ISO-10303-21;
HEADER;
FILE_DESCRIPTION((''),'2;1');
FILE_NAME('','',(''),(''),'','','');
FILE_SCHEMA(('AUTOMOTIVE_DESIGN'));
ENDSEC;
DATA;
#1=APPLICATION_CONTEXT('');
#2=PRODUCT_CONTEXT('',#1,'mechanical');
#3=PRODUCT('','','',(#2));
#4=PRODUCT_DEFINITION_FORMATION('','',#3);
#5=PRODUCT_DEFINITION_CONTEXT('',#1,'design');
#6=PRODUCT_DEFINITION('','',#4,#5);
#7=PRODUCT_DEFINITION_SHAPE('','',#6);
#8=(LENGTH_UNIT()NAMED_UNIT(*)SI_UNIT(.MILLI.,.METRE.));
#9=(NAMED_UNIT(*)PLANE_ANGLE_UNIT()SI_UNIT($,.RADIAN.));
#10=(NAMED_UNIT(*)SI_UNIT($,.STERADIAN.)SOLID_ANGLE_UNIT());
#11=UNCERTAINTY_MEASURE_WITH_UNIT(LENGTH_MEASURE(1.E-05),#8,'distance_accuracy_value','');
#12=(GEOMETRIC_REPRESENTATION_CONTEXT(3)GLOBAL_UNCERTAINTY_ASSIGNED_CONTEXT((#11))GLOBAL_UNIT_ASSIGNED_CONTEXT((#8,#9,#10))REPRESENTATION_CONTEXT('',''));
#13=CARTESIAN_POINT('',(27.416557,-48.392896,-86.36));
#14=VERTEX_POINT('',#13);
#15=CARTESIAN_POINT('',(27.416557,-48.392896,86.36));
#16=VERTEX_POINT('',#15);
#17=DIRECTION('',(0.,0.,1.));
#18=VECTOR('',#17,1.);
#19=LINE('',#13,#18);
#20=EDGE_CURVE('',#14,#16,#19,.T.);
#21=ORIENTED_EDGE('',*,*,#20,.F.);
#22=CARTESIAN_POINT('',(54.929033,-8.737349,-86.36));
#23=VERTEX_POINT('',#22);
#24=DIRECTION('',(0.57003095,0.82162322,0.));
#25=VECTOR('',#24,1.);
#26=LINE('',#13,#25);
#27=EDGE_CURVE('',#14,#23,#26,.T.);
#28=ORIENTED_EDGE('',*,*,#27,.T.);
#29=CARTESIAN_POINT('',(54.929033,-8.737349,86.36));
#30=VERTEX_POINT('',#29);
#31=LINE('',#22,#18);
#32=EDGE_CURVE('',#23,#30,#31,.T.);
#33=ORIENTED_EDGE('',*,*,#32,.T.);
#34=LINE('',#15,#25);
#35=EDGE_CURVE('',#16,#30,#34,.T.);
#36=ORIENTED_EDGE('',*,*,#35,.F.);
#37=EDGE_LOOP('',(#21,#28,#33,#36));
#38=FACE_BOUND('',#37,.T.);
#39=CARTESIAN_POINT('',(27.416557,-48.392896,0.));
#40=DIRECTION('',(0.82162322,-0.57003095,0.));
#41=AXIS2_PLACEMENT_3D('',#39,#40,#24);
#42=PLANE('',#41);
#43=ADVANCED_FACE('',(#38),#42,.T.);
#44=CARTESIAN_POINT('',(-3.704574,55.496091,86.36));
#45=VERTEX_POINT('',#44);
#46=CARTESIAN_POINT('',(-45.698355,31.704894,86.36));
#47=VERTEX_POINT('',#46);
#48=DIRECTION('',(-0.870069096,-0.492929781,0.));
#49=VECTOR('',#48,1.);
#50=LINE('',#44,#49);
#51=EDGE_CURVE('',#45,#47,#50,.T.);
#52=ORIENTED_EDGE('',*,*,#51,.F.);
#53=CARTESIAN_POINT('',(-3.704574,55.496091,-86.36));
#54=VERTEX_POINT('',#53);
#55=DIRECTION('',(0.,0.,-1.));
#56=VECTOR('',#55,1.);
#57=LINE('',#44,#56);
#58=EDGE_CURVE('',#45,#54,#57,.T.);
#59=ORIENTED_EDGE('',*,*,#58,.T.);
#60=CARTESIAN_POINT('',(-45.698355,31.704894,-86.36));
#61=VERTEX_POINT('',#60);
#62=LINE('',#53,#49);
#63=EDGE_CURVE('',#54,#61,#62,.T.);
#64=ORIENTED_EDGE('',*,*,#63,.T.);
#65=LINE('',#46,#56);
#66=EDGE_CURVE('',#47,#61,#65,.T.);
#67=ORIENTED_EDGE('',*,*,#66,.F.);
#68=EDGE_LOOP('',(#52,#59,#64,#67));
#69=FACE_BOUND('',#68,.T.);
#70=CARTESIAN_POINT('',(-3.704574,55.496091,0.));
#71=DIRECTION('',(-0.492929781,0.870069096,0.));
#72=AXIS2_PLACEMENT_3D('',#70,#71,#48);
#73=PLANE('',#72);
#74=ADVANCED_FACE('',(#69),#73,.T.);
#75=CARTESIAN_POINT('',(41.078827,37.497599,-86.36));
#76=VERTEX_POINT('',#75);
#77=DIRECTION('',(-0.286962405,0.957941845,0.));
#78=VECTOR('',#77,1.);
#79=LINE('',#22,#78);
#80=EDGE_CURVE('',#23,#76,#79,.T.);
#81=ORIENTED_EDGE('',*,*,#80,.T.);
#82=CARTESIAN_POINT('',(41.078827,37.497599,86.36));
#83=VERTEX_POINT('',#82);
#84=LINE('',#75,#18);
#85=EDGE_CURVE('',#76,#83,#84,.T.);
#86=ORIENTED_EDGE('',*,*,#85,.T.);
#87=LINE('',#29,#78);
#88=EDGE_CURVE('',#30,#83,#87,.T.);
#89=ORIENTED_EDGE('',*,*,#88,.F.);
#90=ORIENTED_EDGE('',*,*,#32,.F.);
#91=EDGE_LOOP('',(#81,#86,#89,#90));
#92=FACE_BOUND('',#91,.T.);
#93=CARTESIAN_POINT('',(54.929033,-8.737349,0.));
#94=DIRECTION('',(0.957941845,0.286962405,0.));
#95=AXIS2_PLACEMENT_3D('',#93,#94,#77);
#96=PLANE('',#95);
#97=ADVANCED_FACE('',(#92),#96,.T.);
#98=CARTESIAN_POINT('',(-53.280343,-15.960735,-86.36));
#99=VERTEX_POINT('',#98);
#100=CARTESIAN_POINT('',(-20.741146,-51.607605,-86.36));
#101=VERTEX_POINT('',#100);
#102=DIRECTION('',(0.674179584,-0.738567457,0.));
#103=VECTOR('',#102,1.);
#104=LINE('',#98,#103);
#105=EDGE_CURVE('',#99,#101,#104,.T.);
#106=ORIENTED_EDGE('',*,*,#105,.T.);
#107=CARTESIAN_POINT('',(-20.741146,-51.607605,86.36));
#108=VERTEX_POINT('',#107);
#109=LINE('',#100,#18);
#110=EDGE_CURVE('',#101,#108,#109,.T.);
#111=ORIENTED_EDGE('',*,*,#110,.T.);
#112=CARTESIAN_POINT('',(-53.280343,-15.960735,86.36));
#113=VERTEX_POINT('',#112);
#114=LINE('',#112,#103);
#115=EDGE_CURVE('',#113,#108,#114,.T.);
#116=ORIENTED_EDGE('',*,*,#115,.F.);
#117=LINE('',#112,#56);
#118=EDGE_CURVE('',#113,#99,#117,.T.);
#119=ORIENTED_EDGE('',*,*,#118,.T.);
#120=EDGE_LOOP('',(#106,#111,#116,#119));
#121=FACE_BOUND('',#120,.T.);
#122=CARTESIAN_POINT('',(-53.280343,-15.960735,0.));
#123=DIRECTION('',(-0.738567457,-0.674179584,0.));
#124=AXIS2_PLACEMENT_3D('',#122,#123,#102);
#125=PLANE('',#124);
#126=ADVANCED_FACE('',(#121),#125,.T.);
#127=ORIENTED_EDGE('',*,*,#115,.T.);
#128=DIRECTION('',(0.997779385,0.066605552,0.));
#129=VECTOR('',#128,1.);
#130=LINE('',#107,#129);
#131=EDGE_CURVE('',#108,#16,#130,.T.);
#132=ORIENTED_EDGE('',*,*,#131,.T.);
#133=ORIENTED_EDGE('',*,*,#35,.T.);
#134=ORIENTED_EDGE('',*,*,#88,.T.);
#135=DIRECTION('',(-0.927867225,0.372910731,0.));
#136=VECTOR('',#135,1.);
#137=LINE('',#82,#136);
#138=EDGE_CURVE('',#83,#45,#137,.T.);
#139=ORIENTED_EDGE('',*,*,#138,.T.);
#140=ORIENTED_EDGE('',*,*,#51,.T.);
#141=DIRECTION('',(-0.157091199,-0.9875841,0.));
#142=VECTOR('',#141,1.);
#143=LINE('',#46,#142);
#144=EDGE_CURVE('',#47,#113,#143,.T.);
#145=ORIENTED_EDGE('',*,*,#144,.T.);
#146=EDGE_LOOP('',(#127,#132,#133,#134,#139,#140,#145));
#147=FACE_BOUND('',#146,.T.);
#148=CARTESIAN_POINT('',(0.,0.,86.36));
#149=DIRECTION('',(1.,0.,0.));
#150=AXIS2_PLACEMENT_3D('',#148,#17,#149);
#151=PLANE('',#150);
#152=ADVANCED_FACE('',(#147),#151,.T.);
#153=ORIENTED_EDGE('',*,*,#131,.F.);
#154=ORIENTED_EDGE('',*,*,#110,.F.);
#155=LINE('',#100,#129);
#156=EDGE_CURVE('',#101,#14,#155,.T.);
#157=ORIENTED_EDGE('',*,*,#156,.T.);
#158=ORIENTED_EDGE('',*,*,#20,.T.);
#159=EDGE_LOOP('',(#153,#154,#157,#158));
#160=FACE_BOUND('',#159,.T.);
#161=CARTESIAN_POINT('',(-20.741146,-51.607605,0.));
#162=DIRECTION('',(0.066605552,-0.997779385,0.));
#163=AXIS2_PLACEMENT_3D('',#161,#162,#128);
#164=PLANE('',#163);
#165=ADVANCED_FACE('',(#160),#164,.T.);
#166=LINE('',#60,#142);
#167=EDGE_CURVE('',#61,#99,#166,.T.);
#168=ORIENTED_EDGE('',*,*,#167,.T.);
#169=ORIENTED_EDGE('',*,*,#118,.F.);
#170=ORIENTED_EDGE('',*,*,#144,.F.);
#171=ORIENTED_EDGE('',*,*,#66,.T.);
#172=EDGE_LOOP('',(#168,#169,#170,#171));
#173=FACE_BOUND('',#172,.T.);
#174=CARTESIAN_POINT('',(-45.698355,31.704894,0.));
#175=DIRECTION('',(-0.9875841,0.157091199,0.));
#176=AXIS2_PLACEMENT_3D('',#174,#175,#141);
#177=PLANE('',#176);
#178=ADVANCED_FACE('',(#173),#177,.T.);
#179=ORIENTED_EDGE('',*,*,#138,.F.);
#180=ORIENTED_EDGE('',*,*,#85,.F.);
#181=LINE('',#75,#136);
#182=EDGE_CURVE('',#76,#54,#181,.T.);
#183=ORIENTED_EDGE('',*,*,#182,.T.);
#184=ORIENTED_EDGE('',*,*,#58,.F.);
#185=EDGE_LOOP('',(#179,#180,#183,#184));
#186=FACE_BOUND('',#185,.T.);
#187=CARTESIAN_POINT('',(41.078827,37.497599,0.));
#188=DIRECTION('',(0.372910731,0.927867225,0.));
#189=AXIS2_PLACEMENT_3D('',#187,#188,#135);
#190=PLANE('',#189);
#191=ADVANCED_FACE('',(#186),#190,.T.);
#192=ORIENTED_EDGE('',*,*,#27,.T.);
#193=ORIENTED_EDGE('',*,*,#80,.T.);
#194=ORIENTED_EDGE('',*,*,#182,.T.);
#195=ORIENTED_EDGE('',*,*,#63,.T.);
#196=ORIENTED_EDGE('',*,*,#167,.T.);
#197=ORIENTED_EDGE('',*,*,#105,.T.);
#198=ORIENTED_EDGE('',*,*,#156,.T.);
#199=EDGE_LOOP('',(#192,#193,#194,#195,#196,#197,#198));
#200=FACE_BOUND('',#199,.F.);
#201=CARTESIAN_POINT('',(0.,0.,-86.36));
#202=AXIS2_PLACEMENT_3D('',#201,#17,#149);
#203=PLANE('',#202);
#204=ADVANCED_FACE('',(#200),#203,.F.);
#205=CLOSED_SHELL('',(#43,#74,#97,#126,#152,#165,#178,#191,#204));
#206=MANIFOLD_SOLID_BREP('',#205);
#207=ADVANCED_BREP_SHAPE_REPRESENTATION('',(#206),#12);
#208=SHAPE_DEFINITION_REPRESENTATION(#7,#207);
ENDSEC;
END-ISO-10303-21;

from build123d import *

# Parameters (mm, degrees)
F1_DEPTH = 86.36


with BuildPart() as f1:
    # F0 (on Top) → F1 (new body, symmetric)
    with BuildSketch(Plane.XY):
        Polygon((-53.280343, -15.960735), (-20.741146, -51.607605), (27.416557, -48.392896), (54.929033, -8.737349), (41.078827, 37.497599), (-3.704574, 55.496091), (-45.698355, 31.704894), align=None)
    extrude(amount=F1_DEPTH, both=True)


solid = f1.part
